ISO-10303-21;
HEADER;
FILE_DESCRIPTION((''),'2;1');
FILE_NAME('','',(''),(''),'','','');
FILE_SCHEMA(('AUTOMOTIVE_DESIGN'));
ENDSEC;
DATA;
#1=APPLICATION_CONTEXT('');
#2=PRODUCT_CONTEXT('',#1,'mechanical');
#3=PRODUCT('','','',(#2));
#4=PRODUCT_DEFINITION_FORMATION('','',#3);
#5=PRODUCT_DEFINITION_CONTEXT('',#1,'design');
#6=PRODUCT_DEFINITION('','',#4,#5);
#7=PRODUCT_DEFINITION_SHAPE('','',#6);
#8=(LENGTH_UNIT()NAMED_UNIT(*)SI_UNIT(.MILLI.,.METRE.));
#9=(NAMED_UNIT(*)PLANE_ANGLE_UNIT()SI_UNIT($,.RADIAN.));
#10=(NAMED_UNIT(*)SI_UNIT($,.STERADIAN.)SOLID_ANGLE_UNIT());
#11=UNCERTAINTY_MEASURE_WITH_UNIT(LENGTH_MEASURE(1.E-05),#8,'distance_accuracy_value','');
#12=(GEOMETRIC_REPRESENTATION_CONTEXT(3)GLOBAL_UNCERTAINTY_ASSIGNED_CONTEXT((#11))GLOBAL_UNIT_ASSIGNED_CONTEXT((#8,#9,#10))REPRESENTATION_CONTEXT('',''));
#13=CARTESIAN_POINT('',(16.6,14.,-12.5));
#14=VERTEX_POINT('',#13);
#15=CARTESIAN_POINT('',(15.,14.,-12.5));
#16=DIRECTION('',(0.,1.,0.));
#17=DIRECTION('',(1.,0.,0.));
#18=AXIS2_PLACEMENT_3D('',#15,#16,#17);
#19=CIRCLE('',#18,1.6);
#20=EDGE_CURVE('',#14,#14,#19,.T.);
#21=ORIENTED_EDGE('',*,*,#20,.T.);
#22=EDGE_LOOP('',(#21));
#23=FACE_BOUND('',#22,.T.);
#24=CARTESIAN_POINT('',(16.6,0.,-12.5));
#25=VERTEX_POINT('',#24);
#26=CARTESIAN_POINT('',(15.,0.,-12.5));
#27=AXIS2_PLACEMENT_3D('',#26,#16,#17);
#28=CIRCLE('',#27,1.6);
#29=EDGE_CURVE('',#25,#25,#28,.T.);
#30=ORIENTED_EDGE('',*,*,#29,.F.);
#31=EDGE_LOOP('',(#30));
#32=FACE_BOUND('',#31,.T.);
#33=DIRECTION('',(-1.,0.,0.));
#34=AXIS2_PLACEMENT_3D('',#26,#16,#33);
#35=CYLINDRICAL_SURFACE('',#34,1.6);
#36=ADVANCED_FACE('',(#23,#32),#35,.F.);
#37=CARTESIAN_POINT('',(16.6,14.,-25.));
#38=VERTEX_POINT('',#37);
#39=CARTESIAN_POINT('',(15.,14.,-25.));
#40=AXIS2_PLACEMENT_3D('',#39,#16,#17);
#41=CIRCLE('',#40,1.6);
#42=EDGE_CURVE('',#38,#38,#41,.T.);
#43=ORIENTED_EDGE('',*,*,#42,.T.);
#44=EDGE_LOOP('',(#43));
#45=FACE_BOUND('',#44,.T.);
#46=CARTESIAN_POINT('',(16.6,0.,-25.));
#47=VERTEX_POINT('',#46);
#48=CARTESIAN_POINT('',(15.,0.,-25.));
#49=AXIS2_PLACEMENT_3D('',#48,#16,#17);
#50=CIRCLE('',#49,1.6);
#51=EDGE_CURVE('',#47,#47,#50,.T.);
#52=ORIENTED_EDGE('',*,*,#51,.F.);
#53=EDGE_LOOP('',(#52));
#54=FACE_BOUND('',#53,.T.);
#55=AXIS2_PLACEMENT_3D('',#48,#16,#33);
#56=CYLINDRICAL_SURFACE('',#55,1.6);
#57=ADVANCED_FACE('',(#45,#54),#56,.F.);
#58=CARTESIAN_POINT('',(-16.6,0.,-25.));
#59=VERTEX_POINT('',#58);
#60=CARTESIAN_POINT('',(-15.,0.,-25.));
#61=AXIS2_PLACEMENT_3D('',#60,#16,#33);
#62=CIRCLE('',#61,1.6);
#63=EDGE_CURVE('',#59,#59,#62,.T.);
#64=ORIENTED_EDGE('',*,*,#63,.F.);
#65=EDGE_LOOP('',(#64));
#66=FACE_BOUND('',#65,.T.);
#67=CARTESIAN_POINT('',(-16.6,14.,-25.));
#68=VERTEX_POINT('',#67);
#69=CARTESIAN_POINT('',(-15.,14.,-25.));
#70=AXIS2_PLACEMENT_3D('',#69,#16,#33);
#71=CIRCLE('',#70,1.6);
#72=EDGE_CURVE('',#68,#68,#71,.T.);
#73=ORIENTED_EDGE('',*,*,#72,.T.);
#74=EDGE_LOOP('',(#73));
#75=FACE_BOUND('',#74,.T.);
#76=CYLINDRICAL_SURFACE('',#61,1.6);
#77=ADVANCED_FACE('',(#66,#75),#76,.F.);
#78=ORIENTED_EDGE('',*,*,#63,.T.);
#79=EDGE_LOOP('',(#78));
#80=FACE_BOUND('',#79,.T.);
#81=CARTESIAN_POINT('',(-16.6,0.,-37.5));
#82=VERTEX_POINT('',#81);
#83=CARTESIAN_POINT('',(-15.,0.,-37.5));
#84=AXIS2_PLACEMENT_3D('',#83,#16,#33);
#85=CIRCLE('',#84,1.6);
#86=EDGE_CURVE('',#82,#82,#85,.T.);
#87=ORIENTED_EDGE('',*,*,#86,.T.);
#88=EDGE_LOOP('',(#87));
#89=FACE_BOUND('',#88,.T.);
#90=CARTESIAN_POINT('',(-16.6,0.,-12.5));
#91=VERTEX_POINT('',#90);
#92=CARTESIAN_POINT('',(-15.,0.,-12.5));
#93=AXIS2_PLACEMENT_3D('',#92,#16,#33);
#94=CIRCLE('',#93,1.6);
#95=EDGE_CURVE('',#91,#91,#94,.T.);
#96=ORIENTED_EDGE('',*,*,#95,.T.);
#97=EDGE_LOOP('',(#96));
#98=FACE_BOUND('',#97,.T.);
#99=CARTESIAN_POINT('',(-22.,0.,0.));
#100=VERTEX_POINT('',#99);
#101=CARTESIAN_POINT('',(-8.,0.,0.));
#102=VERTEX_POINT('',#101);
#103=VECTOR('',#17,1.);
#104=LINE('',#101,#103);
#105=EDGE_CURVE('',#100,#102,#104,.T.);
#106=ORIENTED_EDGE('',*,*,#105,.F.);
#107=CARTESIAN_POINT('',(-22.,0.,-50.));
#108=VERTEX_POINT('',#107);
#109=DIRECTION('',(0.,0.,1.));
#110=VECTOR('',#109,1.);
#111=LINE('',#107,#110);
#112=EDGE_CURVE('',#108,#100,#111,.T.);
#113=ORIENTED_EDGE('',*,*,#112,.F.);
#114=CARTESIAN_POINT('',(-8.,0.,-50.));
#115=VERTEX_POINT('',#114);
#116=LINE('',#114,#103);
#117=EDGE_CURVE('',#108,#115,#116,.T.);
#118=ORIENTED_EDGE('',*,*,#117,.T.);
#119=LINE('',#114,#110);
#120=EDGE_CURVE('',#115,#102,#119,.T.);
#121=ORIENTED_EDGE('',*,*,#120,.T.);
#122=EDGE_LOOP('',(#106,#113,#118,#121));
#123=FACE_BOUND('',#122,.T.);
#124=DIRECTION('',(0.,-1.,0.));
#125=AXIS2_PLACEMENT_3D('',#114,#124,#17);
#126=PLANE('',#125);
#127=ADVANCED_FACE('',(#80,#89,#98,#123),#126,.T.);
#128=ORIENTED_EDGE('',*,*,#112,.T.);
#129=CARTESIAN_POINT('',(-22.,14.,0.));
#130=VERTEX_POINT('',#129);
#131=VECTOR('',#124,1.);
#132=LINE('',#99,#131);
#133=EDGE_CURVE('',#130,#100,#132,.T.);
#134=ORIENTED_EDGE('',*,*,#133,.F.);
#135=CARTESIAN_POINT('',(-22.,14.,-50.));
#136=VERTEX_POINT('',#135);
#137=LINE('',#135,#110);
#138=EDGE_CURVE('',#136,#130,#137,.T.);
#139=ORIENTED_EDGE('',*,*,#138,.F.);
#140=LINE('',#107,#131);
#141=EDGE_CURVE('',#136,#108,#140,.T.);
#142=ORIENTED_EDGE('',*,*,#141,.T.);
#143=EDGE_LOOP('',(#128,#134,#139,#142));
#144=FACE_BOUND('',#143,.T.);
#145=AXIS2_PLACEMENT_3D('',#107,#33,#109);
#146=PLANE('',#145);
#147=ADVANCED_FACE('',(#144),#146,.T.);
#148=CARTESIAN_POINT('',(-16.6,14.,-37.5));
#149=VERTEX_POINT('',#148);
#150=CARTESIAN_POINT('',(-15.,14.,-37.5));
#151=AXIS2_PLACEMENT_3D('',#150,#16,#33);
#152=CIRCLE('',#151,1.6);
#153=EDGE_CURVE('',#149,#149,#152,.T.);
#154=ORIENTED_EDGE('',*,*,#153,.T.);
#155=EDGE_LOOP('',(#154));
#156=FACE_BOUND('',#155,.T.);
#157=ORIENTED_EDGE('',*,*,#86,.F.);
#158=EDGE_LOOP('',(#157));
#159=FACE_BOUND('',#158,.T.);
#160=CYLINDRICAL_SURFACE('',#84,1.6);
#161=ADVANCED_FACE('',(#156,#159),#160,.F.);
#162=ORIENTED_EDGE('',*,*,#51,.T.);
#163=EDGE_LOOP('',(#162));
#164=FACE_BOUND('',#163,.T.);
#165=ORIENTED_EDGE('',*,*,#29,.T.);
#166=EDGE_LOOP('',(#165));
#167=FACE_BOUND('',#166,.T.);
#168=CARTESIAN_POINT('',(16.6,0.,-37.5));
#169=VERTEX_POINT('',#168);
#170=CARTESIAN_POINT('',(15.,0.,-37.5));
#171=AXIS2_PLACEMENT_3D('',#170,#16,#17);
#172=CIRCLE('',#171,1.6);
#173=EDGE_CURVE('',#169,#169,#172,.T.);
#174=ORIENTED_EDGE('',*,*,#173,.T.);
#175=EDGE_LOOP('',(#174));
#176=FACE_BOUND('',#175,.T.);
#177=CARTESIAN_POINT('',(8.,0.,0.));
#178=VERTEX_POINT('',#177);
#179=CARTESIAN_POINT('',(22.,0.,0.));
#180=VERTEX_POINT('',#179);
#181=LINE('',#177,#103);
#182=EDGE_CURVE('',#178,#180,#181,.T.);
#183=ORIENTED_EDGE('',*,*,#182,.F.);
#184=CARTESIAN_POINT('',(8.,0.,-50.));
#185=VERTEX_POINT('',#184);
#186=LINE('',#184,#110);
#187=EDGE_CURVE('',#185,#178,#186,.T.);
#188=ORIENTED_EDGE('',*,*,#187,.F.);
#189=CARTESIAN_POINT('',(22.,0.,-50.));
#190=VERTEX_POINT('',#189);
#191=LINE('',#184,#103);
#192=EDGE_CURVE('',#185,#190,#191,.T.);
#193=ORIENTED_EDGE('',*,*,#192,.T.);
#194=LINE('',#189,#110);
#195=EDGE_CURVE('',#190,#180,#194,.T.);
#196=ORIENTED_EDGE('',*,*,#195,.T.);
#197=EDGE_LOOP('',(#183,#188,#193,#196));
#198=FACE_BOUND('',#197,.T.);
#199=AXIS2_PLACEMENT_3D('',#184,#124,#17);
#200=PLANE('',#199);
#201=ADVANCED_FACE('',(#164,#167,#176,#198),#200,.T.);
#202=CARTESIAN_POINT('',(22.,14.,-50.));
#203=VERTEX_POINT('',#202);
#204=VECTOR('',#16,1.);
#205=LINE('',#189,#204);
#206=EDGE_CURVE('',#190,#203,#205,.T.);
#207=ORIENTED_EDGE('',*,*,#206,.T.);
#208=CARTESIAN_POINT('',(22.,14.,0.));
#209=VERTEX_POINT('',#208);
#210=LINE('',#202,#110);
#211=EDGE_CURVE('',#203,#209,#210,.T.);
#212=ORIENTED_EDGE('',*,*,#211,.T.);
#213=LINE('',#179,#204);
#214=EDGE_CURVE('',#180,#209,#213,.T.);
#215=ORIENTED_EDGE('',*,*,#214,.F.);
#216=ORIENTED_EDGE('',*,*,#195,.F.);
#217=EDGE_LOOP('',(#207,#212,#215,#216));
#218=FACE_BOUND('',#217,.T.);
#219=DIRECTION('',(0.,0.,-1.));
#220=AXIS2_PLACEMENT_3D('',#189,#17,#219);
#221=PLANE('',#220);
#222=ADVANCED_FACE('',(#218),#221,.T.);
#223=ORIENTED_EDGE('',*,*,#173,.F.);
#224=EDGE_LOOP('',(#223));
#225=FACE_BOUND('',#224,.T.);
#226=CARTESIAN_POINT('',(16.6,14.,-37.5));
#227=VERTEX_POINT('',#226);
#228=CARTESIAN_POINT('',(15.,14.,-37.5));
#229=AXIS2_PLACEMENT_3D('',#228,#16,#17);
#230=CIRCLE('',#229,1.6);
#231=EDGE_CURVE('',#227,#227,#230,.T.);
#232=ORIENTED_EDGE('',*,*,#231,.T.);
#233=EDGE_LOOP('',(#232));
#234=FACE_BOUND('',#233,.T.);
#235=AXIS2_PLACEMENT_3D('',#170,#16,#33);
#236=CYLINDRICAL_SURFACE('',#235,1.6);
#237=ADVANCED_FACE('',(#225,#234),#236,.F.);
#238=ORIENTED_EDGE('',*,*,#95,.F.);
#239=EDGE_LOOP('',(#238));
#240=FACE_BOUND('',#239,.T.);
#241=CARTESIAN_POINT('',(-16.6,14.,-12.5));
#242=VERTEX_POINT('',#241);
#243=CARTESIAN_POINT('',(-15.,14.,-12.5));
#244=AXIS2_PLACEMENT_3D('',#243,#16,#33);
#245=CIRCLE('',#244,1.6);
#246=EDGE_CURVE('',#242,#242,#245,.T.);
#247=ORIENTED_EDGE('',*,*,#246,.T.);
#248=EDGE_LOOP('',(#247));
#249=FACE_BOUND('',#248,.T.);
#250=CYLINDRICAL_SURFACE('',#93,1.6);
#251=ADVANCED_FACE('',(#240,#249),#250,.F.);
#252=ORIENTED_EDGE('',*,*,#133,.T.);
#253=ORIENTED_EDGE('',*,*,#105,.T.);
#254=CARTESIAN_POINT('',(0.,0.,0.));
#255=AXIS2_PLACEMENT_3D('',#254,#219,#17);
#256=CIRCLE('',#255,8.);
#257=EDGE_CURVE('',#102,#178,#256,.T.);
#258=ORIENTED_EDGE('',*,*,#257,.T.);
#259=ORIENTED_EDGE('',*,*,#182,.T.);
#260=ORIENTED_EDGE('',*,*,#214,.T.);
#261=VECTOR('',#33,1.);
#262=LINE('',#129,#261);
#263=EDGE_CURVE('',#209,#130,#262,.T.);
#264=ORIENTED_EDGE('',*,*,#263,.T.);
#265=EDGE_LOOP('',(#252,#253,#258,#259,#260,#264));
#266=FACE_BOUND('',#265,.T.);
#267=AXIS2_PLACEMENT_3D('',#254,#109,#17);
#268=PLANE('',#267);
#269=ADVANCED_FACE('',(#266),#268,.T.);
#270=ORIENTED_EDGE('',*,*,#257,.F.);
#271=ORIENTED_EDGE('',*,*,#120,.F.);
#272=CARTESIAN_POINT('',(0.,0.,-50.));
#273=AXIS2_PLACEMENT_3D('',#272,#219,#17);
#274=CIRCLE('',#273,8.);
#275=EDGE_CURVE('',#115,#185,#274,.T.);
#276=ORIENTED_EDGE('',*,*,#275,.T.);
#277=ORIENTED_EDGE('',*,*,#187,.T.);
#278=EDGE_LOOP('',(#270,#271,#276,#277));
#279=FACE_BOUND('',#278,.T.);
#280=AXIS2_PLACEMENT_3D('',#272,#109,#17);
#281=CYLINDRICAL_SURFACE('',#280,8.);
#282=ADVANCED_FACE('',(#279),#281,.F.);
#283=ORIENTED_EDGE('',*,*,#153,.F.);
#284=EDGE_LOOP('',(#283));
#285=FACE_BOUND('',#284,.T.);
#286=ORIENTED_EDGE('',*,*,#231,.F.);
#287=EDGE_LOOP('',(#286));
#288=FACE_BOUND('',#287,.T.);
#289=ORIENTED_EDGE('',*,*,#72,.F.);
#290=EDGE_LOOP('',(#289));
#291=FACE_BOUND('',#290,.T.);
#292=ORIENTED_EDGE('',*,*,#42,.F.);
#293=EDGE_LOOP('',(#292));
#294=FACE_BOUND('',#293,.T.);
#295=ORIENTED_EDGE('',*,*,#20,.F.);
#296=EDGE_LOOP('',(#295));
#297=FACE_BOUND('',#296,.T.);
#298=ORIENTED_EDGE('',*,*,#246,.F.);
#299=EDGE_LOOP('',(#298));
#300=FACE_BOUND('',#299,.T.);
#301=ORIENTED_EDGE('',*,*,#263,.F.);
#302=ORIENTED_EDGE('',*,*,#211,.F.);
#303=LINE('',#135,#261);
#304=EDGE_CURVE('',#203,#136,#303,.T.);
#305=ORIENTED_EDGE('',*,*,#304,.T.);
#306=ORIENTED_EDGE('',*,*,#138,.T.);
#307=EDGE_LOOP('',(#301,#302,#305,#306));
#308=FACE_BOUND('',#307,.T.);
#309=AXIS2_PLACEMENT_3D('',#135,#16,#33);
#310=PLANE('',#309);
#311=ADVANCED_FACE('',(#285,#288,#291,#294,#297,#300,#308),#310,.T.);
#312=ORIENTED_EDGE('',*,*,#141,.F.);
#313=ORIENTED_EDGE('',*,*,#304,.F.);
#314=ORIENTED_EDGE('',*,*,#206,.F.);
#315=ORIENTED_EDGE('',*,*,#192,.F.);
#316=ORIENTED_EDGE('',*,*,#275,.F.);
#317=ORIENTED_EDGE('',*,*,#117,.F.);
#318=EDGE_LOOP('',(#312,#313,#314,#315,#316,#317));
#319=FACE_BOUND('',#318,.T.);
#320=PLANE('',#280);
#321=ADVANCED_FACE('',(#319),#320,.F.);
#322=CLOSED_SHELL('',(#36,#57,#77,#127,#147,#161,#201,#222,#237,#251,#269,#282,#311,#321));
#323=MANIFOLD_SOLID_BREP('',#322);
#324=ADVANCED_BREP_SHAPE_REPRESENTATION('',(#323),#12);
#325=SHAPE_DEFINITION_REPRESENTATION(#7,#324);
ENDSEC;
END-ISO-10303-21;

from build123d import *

# Parameters (mm, degrees)
Y_KSEKLIK_EKSTR_ZYON1_DEPTH = 50
IZIM2_R                     = 1.6
KES_EKSTR_ZYON1_DEPTH       = 57.391488719


with BuildPart() as part:
    # Çizim1 → Yükseklik-Ekstrüzyon1 (new body)
    with BuildSketch(Plane.XY):
        with BuildLine():
            Line((-8, 0), (-22, 0))
            Line((-22, 0), (-22, 14))
            Line((-22, 14), (22, 14))
            Line((22, 14), (22, 0))
            Line((22, 0), (8, 0))
            ThreePointArc((8, 0), (0, 8), (-8, 0))
        make_face()
    extrude(amount=-Y_KSEKLIK_EKSTR_ZYON1_DEPTH)

    # Çizim2 → Kes-Ekstrüzyon1 (cut, through all)
    with BuildSketch(Plane(origin=(0, 14, 0), x_dir=(1, 0, 0), z_dir=(0, 1, 0))):
        with Locations(Location((-15, 25, 0), (0, 0, 180))):
            Circle(IZIM2_R)
        with Locations(Location((-15, 37.5, 0), (0, 0, 180))):
            Circle(IZIM2_R)
        with Locations(Location((-15, 12.5, 0), (0, 0, 180))):
            Circle(IZIM2_R)
        with Locations((15, 12.5)):
            Circle(IZIM2_R)
        with Locations((15, 37.5)):
            Circle(IZIM2_R)
        with Locations((15, 25)):
            Circle(IZIM2_R)
    extrude(amount=-KES_EKSTR_ZYON1_DEPTH, mode=Mode.SUBTRACT)


solid = part.part
